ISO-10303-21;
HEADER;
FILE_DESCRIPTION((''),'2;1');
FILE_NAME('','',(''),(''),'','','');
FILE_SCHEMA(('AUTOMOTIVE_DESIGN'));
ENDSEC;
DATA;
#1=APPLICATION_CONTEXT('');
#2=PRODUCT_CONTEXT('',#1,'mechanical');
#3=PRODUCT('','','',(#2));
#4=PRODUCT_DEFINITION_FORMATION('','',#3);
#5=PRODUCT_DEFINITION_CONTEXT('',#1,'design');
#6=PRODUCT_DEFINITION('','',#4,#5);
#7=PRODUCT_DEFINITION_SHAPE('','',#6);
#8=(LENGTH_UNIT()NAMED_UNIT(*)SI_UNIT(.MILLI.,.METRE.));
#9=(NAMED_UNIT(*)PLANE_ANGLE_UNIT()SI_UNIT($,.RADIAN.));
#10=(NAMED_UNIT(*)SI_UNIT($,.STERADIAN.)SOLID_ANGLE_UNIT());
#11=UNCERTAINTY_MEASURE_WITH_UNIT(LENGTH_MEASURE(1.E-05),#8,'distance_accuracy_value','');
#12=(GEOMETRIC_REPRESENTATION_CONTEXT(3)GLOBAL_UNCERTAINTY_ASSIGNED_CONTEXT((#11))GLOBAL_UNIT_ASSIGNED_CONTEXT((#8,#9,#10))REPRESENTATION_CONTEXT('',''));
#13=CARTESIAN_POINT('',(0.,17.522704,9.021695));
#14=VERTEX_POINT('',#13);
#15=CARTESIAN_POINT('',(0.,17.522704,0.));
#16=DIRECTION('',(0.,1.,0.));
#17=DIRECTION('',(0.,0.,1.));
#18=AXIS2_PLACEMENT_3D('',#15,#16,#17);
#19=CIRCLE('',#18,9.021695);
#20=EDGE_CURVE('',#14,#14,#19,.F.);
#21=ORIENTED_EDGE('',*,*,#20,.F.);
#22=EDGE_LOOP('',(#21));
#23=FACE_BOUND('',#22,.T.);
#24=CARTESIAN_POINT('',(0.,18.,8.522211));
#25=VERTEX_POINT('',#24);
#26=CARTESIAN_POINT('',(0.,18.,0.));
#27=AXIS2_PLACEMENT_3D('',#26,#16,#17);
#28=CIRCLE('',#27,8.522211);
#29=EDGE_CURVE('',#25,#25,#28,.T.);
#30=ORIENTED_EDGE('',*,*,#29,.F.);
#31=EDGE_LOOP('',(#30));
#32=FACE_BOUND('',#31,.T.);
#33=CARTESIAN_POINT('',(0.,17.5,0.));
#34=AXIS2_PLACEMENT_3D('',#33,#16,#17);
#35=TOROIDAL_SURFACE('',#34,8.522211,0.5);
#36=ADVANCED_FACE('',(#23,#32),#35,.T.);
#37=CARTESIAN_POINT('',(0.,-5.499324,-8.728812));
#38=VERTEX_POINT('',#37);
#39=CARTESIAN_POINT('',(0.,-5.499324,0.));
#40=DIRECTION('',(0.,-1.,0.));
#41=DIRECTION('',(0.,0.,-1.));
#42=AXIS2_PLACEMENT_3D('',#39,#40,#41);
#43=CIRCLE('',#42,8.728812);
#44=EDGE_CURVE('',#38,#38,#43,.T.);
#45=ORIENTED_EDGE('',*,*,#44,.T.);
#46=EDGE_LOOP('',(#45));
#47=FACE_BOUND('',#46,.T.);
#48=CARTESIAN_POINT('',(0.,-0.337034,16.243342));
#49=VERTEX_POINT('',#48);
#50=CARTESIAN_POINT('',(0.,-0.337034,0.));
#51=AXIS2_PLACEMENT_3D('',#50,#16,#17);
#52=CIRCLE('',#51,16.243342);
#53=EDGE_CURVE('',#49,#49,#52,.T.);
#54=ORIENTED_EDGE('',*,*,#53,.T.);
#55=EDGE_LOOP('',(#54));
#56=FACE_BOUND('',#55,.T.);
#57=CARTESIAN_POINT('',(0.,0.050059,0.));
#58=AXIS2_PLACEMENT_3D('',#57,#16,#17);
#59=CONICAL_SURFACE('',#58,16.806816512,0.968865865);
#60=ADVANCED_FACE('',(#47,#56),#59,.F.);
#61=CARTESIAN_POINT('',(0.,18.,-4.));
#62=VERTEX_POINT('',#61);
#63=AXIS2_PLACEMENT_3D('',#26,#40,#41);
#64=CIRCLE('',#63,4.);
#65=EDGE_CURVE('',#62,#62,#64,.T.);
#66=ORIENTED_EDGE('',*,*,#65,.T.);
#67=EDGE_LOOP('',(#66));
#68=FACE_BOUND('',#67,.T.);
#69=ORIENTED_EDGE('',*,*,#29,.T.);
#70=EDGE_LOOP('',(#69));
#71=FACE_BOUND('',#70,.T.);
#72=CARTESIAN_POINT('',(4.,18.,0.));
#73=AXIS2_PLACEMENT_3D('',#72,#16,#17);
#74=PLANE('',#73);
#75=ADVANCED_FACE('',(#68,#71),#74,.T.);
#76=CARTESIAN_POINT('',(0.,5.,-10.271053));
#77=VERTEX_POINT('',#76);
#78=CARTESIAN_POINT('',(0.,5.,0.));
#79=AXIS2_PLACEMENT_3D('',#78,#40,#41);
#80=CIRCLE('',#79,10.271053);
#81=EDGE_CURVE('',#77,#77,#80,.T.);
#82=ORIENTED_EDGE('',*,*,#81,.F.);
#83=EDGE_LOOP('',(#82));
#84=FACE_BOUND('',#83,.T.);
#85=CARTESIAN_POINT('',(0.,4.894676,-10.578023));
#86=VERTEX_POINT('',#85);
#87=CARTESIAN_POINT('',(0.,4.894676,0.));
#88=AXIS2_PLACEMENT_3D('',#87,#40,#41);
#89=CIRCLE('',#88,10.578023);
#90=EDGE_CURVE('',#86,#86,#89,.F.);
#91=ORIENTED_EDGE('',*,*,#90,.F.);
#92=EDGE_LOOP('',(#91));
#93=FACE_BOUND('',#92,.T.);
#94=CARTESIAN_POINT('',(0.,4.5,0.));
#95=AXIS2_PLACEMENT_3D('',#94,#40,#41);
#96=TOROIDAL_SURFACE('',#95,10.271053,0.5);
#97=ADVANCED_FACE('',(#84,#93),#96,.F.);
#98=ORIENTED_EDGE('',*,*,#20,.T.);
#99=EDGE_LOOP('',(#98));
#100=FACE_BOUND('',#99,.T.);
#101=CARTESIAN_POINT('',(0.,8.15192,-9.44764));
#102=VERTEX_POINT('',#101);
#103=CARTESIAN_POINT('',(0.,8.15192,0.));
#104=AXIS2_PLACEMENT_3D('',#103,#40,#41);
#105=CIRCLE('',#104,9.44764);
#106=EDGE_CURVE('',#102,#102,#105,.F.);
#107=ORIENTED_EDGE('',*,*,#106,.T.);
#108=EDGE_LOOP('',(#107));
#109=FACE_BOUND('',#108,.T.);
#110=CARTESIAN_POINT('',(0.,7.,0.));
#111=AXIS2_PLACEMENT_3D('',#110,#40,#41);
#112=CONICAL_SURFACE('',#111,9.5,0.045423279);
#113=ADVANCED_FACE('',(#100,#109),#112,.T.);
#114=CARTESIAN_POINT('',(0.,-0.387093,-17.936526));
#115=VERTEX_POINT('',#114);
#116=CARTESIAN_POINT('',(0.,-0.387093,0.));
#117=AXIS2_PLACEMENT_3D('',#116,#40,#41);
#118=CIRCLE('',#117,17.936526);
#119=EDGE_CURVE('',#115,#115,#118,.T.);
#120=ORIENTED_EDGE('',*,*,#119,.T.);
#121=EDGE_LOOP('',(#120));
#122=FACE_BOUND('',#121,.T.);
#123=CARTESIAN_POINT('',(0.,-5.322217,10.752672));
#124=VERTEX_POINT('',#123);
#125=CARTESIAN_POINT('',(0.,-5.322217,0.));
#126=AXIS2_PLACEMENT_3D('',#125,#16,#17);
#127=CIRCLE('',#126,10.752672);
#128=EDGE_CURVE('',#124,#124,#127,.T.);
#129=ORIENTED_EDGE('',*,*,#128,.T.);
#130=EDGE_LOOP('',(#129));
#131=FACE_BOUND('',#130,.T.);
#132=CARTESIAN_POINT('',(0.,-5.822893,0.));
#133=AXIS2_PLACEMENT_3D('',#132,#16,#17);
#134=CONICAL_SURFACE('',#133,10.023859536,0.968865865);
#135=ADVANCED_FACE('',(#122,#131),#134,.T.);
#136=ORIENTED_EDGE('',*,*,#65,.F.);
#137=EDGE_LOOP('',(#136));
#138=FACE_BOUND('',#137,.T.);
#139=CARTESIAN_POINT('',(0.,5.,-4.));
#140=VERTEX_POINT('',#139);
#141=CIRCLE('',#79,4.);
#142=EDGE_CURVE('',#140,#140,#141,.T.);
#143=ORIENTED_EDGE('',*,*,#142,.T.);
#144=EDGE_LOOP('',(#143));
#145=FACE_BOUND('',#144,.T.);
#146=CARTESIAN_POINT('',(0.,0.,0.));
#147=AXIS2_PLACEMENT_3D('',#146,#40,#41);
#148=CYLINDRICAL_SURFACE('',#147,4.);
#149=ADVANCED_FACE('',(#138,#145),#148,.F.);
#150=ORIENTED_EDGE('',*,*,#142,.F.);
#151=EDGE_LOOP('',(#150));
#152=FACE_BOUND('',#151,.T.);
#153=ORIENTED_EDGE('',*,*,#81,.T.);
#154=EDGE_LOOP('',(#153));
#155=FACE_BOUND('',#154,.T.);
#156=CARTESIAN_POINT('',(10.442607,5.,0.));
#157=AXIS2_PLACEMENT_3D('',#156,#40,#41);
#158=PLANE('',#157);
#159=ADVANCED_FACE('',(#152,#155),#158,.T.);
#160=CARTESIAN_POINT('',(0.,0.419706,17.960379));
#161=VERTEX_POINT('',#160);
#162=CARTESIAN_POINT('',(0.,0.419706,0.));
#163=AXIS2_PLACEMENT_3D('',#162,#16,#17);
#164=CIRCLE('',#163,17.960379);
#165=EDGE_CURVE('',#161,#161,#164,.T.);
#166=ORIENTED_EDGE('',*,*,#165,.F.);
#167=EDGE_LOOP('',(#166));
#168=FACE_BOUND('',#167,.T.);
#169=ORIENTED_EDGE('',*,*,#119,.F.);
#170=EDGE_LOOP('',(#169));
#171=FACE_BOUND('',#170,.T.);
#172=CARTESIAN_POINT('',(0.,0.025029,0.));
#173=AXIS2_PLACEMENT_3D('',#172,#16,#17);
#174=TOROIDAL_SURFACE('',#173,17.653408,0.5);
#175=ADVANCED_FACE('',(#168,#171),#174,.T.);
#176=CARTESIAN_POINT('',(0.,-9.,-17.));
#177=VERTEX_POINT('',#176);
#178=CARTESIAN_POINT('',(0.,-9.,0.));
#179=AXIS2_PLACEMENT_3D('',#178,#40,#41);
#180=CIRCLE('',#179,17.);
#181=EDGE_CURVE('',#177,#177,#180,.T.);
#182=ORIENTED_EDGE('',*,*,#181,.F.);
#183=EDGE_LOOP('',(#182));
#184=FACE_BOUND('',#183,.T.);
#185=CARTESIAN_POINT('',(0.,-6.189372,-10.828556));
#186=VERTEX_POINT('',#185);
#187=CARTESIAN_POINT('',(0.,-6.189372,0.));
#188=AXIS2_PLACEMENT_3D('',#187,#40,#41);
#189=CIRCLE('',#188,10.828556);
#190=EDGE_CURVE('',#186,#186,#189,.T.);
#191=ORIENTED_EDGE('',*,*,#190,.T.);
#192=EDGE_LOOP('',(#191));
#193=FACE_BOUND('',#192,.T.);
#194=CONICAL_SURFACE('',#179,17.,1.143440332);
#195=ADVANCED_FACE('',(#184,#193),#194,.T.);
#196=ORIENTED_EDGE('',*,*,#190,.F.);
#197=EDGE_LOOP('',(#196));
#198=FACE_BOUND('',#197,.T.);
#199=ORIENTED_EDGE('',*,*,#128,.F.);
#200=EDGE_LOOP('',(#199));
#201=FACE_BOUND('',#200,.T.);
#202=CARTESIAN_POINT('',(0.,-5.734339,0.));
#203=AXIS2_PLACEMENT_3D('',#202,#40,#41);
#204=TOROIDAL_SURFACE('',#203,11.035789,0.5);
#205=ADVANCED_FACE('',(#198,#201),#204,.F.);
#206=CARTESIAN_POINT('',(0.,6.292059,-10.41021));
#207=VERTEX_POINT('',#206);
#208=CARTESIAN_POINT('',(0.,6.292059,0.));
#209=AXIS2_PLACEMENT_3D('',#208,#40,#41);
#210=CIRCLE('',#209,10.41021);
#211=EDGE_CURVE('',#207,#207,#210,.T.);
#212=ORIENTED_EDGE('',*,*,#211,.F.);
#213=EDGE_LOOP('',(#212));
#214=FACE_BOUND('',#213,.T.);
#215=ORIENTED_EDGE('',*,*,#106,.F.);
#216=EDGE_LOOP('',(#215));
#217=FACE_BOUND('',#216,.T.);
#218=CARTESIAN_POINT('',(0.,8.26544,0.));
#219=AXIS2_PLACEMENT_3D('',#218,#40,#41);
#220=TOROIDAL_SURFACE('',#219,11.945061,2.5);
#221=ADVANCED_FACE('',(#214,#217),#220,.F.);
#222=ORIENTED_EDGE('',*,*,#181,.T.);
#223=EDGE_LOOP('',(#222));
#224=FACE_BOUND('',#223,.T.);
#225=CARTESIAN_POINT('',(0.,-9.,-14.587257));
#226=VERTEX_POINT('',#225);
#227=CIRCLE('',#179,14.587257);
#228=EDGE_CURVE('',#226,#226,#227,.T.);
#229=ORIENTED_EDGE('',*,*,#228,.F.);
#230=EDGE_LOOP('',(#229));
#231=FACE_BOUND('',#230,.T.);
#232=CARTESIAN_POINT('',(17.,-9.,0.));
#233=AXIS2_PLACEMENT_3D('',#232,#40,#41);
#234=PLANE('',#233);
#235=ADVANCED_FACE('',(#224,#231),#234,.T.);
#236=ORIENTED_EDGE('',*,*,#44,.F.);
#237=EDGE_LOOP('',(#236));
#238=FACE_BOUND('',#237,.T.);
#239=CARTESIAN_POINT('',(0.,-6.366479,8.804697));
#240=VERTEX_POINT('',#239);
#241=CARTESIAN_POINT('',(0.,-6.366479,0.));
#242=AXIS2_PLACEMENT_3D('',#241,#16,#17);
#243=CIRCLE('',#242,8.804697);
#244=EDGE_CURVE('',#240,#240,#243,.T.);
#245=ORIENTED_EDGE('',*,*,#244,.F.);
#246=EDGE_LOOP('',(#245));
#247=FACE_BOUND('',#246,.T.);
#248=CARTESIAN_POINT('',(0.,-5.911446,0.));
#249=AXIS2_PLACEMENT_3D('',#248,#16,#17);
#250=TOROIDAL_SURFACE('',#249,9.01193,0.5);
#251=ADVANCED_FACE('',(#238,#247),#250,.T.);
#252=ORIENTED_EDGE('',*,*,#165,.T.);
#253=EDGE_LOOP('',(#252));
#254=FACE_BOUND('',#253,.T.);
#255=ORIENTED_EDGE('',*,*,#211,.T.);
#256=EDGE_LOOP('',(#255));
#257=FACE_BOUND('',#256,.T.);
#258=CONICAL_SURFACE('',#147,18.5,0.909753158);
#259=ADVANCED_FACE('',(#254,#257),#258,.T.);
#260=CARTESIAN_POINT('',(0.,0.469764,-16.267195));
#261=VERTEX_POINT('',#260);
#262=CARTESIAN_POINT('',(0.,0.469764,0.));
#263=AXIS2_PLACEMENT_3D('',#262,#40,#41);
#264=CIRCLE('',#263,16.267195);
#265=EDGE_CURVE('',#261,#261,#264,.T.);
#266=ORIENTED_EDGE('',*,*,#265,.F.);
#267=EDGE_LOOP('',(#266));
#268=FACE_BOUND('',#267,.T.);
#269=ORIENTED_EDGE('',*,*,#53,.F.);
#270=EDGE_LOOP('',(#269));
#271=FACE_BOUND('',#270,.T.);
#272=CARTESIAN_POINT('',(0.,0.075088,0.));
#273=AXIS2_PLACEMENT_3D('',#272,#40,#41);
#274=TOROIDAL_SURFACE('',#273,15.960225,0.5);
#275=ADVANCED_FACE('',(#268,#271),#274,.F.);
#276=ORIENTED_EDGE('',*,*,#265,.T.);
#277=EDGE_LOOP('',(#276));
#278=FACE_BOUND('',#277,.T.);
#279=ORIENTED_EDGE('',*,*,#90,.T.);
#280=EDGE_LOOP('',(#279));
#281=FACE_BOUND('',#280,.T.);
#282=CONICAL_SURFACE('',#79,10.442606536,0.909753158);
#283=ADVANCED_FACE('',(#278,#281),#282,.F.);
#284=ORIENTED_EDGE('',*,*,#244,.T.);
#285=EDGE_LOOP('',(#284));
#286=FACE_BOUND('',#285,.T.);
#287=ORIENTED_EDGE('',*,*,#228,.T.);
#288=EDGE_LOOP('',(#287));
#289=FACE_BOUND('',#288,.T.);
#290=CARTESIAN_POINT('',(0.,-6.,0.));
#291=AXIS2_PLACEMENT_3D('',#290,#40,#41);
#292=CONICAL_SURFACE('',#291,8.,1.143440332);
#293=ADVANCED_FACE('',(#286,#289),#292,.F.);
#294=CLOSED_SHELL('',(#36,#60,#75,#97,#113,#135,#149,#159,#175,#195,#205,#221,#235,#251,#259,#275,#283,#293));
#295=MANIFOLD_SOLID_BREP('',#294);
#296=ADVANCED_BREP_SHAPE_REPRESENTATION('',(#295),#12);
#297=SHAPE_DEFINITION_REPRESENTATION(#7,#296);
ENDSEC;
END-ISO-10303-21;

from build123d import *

# Parameters (mm, degrees)
CONG_1_R = 0.5
CONG_2_R = 2.5


with BuildPart() as part:
    # Esquisse1 → Révolution1 (revolve)
    with BuildSketch(Plane.XY, mode=Mode.PRIVATE) as r_volution1_sk:
        Polygon((4, 18), (9, 18), (9.5, 7), (18.5, 0), (10.023859536, -5.822892875), (17, -9), (14.587257075, -9), (8, -6), (16.806816512, 0.050058907), (10.442606536, 5), (4, 5), align=None)
    revolve(r_volution1_sk.sketch.rotate(Axis((0, 0, 0), (0, 1, 0)), 90), axis=Axis((0, 0, 0), (0, 1, 0)))

    # Congé1
    cong_1_edges = [part.edges().sort_by_distance(p)[0] for p in [
        (0, -6, 8),
        (0, -5.822892875, 10.023859536),
        (0, 0, 18.5),
        (0, 18, 9),
        (0, 5, 10.442606536),
        (0, 0.050058907, 16.806816512),
    ]]
    fillet(cong_1_edges, radius=CONG_1_R)

    # Congé2
    cong_2_edges = [part.edges().sort_by_distance(p)[0] for p in [
        (0, 7, 9.5),
    ]]
    fillet(cong_2_edges, radius=CONG_2_R)


solid = part.part
